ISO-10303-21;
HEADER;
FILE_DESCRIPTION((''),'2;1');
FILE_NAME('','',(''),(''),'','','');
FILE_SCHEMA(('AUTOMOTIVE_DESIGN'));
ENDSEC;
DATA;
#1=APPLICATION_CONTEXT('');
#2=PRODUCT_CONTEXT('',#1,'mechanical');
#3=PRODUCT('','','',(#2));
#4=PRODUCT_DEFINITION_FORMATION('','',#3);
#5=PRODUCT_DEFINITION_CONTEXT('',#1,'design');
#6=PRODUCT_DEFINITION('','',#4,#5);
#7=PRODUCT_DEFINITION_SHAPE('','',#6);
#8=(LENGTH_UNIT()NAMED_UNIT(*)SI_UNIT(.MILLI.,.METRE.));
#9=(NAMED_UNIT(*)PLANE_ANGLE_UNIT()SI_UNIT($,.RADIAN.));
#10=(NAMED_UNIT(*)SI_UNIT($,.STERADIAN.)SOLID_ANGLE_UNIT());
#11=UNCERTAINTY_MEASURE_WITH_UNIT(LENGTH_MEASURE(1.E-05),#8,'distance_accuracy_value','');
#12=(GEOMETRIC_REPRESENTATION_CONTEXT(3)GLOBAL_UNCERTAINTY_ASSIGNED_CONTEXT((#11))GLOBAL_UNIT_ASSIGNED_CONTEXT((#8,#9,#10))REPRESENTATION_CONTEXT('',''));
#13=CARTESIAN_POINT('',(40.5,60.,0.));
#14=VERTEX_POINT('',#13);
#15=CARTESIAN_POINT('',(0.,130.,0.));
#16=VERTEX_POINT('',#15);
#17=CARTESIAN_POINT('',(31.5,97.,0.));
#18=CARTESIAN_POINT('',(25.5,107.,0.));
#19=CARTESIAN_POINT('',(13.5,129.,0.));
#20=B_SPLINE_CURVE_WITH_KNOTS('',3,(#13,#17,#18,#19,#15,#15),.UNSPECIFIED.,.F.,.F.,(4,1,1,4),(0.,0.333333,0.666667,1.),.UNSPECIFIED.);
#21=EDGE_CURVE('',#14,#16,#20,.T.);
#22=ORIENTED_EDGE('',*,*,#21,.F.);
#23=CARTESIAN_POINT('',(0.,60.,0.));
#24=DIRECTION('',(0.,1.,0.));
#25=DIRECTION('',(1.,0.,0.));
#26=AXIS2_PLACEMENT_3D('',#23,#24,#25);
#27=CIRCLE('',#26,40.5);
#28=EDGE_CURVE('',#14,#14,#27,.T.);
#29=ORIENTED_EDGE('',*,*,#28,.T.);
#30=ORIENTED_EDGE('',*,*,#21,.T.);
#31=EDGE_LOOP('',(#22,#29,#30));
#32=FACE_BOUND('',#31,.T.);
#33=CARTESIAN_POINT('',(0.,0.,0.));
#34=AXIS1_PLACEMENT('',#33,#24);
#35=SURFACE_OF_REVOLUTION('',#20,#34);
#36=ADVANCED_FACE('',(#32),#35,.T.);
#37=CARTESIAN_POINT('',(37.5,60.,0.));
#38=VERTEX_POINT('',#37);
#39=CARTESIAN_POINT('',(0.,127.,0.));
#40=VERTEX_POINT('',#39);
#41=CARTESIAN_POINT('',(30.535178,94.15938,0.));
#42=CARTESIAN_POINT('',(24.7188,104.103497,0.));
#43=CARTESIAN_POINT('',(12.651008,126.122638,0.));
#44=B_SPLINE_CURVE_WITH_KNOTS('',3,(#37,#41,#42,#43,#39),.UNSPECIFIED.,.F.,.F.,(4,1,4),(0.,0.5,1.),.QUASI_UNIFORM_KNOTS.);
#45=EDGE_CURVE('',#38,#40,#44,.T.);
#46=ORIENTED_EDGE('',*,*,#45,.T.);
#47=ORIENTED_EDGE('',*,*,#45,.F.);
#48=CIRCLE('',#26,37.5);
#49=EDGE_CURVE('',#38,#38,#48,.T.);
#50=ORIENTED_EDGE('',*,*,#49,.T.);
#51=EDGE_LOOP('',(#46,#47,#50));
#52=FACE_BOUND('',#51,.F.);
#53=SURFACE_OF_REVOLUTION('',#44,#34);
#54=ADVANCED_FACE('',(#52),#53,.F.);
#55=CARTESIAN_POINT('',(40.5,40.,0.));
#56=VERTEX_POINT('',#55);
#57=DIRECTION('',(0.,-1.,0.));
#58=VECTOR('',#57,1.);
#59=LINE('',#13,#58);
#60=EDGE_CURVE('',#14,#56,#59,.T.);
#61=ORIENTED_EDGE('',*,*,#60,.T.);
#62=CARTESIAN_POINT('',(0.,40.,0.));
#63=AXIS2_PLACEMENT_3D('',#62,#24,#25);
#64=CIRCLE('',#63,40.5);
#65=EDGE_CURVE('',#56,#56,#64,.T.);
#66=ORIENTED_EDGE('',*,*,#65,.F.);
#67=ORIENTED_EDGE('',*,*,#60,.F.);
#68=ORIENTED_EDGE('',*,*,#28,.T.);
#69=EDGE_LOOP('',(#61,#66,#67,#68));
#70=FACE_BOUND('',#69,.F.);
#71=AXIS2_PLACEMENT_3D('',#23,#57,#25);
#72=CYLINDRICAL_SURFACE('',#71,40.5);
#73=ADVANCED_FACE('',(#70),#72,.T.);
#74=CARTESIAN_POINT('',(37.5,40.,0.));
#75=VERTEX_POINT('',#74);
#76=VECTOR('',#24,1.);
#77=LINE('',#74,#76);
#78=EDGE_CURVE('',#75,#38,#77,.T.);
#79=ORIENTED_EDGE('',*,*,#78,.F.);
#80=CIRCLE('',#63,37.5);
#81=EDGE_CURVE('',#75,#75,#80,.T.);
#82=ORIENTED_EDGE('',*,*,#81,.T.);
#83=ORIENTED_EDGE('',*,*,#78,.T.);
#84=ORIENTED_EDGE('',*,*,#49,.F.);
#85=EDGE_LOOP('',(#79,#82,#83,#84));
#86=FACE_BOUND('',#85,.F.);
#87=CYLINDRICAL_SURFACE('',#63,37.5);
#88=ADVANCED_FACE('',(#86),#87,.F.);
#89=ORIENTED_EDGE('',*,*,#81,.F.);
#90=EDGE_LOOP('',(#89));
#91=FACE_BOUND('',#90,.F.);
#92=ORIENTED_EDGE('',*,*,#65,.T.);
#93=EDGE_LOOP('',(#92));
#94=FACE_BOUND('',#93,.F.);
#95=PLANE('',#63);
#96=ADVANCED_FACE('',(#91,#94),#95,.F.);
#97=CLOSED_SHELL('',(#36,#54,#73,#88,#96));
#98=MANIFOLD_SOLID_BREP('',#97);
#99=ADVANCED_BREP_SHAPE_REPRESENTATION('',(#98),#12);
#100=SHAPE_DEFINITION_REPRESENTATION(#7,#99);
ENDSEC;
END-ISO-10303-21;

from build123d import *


with BuildPart() as part:
    # Sketch → Revolution (revolve)
    with BuildSketch(Plane.XY):
        with BuildLine():
            Line((37.5, 40), (37.5, 60))
            add(Edge.make_bspline(
                [(37.5, 60), (30.535178, 94.15938), (24.7188, 104.103497), (12.651008, 126.122638), (0, 127)],
                knots=[0, 0, 0, 0, 0.5, 1, 1, 1, 1], degree=3))
            Line((0, 127), (0, 130))
            add(Edge.make_bspline(
                [(40.5, 60), (31.5, 97), (25.5, 107), (13.5, 129), (0, 130), (0, 130)],
                knots=[0, 0, 0, 0, 0.333333, 0.666667, 1, 1, 1, 1], degree=3))
            Line((40.5, 60), (40.5, 40))
            Line((40.5, 40), (37.5, 40))
        make_face()
    revolve(axis=Axis((0, 0, 0), (0, 1, 0)))


solid = part.part
